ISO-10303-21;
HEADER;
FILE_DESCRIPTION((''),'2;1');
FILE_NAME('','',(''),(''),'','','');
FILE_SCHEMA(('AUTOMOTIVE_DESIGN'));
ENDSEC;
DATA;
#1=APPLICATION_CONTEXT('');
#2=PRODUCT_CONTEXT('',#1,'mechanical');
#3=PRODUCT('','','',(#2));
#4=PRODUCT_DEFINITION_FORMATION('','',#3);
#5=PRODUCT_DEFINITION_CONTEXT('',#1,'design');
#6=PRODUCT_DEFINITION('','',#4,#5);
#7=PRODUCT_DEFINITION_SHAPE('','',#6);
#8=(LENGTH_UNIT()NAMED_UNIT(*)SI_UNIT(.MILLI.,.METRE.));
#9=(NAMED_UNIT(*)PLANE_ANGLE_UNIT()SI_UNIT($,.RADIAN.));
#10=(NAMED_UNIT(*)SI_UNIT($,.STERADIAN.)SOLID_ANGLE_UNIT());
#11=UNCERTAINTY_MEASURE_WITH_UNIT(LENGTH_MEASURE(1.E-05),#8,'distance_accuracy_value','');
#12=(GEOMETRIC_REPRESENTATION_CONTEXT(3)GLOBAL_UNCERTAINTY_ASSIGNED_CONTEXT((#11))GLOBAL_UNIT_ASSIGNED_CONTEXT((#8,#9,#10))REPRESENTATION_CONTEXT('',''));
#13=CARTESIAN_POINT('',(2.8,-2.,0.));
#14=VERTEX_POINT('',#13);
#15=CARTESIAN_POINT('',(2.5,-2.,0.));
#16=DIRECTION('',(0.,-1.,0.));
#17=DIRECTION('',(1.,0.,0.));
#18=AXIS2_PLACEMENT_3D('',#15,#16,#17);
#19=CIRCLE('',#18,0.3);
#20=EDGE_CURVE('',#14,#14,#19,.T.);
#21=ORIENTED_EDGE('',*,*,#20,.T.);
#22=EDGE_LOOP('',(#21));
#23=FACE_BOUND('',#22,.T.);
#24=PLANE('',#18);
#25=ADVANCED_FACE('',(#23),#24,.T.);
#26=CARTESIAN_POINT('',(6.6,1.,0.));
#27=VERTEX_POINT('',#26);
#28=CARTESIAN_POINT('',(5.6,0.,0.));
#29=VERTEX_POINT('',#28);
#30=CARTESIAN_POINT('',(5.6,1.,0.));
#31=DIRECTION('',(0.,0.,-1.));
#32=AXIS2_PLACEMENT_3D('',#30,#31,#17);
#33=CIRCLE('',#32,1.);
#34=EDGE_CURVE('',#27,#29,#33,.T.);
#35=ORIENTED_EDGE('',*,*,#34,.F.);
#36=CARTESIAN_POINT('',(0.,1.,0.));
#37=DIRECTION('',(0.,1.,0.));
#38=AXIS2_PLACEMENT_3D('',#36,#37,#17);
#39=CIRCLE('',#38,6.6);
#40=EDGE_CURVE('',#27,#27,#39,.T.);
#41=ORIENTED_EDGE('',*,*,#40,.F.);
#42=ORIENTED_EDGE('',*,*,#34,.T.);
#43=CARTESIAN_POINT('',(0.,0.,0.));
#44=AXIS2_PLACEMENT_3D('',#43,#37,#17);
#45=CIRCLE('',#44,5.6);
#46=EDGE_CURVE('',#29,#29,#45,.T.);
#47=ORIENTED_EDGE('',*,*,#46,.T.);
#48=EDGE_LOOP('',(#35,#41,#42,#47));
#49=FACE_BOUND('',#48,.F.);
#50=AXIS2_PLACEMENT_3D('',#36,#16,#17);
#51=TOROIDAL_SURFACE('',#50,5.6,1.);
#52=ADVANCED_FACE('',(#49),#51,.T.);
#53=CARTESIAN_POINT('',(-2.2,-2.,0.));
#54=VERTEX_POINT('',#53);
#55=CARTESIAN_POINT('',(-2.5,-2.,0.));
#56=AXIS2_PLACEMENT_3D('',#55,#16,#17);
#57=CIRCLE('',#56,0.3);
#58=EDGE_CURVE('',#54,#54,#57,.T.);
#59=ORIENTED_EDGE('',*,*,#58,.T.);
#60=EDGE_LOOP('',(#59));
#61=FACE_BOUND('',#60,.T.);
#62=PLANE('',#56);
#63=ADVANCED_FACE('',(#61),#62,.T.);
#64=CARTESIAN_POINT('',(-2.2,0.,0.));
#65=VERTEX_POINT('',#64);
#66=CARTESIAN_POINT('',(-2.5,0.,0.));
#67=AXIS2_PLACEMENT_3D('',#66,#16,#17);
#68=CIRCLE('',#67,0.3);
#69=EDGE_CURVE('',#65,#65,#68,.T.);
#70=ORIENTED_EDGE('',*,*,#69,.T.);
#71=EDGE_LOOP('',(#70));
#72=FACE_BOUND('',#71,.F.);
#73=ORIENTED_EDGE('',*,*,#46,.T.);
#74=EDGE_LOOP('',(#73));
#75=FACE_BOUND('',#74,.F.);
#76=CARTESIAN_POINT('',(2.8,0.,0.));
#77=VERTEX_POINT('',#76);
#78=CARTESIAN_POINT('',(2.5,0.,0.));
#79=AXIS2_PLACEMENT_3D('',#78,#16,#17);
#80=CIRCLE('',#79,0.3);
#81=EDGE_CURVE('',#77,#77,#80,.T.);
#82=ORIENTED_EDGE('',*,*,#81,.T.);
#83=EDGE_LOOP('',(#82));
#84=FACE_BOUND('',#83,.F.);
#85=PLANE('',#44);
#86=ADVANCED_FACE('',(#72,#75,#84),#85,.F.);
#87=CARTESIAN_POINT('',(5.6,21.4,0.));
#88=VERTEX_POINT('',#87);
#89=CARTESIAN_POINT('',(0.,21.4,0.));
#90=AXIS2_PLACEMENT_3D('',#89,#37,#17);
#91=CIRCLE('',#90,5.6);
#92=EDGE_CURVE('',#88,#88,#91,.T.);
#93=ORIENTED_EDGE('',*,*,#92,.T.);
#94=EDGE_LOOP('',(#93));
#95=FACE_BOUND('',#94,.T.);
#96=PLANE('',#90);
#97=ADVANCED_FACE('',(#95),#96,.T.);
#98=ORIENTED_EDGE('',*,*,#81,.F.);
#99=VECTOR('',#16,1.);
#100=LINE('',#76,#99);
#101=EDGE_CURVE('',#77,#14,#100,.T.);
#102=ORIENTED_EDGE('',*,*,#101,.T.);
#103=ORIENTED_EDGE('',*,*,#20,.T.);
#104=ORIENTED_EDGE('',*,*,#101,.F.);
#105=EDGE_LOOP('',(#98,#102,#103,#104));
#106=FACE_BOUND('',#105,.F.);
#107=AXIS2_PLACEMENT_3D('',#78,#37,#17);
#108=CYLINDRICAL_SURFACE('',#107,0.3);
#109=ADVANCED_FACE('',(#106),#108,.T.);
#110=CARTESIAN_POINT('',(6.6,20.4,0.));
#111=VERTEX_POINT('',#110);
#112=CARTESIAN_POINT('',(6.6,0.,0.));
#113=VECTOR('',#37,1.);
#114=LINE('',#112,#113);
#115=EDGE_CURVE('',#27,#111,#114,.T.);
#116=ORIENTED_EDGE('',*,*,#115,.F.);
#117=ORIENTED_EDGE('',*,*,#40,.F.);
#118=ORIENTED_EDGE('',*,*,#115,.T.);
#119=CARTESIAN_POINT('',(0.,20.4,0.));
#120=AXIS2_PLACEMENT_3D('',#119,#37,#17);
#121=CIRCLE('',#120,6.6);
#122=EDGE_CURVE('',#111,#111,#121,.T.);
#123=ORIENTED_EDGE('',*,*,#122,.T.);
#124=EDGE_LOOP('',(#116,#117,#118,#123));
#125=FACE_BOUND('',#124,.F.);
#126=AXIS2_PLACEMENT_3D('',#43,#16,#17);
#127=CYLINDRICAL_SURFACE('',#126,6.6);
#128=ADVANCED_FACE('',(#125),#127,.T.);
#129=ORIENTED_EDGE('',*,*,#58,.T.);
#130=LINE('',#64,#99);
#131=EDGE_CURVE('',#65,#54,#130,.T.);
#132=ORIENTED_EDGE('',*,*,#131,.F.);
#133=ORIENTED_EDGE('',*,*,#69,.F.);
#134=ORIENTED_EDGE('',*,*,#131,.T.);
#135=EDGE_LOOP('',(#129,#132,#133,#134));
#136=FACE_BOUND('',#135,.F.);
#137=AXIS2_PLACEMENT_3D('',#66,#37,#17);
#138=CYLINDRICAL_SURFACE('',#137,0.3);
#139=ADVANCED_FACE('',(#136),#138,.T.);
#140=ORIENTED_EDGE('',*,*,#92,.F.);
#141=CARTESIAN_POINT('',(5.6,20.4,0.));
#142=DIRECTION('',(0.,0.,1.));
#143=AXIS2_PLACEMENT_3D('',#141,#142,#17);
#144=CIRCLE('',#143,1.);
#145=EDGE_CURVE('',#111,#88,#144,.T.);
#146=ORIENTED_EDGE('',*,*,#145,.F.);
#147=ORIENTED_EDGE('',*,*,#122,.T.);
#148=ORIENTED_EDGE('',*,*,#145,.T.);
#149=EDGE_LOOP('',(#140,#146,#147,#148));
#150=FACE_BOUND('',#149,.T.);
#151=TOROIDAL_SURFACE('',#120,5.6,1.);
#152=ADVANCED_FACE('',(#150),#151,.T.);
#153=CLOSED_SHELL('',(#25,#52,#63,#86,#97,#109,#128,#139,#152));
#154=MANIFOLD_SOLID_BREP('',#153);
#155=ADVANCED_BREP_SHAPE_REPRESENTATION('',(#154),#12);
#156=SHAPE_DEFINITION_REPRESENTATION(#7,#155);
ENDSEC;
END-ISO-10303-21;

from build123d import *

# Parameters (mm, degrees)
SKETCH1_R           = 6.6
BOSS_EXTRUDE1_DEPTH = 21.4
FILLET1_R           = 1
SKETCH2_R           = 0.3
BOSS_EXTRUDE2_DEPTH = 2


with BuildPart() as part:
    # Sketch1 → Boss-Extrude1 (new body)
    with BuildSketch(Plane(origin=(0, 0, 0), x_dir=(1, 0, 0), z_dir=(0, 1, 0))):
        Circle(SKETCH1_R)
    extrude(amount=BOSS_EXTRUDE1_DEPTH)

    # Fillet1
    fillet1_edges = [part.edges().sort_by_distance(p)[0] for p in [
        (-6.6, 0, 0),
        (-6.6, 21.4, 0),
    ]]
    fillet(fillet1_edges, radius=FILLET1_R)

    # Sketch2 → Boss-Extrude2 (add)
    with BuildSketch(Plane.XZ):
        with Locations((-2.5, 0)):
            Circle(SKETCH2_R)
        with Locations((2.5, 0)):
            Circle(SKETCH2_R)
    extrude(amount=BOSS_EXTRUDE2_DEPTH)


solid = part.part
